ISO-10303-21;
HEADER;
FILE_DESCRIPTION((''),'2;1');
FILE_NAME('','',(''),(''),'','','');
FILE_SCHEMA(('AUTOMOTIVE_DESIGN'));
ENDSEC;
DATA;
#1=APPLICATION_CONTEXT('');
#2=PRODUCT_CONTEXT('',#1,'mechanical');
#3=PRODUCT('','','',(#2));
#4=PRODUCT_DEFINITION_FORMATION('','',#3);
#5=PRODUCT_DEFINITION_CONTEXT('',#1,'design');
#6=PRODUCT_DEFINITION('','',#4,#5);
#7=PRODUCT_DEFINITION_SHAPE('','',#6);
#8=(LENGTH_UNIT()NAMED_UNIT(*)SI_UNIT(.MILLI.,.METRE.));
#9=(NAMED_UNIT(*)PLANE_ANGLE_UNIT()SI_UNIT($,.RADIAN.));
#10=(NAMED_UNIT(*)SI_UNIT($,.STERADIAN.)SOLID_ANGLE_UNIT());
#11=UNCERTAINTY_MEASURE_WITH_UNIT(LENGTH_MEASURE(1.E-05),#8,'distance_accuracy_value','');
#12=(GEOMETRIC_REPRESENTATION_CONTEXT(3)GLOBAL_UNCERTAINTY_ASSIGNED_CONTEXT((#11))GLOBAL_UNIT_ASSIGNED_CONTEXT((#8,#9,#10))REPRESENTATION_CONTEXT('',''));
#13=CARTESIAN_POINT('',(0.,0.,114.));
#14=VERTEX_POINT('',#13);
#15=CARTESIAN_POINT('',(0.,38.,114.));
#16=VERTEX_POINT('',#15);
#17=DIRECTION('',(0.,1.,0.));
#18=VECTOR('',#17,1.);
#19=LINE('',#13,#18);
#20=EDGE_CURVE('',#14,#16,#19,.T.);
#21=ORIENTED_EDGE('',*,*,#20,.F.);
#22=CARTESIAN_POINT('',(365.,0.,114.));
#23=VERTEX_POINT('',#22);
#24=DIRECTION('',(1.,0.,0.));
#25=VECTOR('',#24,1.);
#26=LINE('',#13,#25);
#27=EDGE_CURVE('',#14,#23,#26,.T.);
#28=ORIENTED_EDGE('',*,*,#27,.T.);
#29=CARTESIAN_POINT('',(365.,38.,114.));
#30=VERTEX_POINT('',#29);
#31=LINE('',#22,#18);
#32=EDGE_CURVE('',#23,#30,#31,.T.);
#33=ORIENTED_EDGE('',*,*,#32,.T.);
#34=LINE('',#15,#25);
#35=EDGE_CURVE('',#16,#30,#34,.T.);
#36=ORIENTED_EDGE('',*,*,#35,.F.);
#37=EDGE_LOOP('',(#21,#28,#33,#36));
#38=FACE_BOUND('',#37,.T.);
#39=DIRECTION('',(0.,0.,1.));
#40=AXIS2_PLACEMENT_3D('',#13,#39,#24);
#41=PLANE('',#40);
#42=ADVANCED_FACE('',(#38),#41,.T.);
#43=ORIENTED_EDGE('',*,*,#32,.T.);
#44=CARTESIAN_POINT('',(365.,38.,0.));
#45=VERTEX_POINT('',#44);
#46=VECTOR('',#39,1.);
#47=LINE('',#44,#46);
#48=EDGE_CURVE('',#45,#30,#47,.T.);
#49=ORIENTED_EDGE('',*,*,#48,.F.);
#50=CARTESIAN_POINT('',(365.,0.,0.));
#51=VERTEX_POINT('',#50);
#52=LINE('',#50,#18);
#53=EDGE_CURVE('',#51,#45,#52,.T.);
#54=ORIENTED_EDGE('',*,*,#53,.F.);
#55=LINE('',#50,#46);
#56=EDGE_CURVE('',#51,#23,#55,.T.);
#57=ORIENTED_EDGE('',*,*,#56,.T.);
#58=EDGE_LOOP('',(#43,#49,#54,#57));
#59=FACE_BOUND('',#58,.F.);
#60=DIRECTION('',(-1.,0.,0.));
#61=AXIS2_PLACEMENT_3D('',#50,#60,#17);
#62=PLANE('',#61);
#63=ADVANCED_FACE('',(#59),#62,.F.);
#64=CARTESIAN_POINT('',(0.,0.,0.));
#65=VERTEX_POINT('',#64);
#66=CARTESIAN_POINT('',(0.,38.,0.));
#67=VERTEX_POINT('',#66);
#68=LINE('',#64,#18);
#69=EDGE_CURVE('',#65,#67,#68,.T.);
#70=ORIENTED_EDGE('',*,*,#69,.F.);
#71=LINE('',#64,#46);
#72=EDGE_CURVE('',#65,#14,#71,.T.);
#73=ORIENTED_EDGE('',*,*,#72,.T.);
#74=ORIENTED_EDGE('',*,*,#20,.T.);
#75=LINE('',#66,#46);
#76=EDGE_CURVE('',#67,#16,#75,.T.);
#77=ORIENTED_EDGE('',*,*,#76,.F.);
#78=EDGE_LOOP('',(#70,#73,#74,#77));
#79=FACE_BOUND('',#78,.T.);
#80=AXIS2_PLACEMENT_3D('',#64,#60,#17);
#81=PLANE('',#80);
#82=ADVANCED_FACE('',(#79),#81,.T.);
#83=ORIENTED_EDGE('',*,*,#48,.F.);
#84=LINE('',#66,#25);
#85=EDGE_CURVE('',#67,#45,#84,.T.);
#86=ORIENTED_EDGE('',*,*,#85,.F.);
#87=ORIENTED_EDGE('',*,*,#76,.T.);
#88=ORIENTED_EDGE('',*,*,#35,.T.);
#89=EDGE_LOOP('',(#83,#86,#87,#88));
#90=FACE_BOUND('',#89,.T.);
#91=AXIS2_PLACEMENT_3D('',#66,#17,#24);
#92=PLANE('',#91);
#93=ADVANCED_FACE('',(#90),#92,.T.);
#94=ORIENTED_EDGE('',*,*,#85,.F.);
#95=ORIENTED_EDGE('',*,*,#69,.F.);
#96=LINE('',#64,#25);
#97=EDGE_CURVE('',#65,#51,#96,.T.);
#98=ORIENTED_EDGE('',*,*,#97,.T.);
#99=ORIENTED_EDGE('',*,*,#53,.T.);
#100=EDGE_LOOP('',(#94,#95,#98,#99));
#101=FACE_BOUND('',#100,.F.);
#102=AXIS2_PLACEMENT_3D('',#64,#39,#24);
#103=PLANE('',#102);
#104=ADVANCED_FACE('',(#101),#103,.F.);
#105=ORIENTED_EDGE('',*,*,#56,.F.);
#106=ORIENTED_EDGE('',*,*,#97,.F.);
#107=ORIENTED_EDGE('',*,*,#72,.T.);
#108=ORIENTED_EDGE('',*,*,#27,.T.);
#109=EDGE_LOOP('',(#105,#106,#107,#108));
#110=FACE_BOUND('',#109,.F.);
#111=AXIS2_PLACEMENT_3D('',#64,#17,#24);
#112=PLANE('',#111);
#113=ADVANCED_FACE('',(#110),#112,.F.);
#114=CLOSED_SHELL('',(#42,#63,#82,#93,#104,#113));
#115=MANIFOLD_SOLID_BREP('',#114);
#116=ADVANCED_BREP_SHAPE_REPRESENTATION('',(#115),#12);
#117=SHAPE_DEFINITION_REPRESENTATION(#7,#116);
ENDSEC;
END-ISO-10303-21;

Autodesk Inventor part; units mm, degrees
ref_plane "YZ Plane" through (0, 0, 0) normal (1, 0, 0) x (0, 1, 0)
ref_plane "XZ Plane" through (0, 0, 0) normal (0, 1, 0) x (-1, 0, 0)
ref_plane "XY Plane" through (0, 0, 0) normal (0, 0, 1) x (1, 0, 0)
sketch "Sketch1" plane through (0, 0, 0) normal (0, 0, 1) x (1, 0, 0)
  line L0 (0, 0) -> (365, 0)
  line L1 (0, 0) -> (0, 38)
  line L2 (0, 38) -> (365, 38)
  line L3 (365, 0) -> (365, 38)
  dimension "d0" = 365
  dimension "d1" = 38
  dimension "d2" = 90
extrude "Extrusion1" add sketch "Sketch1" along normal blind 114
properties part number "2p3ph" material "Wood (Cherry)"
